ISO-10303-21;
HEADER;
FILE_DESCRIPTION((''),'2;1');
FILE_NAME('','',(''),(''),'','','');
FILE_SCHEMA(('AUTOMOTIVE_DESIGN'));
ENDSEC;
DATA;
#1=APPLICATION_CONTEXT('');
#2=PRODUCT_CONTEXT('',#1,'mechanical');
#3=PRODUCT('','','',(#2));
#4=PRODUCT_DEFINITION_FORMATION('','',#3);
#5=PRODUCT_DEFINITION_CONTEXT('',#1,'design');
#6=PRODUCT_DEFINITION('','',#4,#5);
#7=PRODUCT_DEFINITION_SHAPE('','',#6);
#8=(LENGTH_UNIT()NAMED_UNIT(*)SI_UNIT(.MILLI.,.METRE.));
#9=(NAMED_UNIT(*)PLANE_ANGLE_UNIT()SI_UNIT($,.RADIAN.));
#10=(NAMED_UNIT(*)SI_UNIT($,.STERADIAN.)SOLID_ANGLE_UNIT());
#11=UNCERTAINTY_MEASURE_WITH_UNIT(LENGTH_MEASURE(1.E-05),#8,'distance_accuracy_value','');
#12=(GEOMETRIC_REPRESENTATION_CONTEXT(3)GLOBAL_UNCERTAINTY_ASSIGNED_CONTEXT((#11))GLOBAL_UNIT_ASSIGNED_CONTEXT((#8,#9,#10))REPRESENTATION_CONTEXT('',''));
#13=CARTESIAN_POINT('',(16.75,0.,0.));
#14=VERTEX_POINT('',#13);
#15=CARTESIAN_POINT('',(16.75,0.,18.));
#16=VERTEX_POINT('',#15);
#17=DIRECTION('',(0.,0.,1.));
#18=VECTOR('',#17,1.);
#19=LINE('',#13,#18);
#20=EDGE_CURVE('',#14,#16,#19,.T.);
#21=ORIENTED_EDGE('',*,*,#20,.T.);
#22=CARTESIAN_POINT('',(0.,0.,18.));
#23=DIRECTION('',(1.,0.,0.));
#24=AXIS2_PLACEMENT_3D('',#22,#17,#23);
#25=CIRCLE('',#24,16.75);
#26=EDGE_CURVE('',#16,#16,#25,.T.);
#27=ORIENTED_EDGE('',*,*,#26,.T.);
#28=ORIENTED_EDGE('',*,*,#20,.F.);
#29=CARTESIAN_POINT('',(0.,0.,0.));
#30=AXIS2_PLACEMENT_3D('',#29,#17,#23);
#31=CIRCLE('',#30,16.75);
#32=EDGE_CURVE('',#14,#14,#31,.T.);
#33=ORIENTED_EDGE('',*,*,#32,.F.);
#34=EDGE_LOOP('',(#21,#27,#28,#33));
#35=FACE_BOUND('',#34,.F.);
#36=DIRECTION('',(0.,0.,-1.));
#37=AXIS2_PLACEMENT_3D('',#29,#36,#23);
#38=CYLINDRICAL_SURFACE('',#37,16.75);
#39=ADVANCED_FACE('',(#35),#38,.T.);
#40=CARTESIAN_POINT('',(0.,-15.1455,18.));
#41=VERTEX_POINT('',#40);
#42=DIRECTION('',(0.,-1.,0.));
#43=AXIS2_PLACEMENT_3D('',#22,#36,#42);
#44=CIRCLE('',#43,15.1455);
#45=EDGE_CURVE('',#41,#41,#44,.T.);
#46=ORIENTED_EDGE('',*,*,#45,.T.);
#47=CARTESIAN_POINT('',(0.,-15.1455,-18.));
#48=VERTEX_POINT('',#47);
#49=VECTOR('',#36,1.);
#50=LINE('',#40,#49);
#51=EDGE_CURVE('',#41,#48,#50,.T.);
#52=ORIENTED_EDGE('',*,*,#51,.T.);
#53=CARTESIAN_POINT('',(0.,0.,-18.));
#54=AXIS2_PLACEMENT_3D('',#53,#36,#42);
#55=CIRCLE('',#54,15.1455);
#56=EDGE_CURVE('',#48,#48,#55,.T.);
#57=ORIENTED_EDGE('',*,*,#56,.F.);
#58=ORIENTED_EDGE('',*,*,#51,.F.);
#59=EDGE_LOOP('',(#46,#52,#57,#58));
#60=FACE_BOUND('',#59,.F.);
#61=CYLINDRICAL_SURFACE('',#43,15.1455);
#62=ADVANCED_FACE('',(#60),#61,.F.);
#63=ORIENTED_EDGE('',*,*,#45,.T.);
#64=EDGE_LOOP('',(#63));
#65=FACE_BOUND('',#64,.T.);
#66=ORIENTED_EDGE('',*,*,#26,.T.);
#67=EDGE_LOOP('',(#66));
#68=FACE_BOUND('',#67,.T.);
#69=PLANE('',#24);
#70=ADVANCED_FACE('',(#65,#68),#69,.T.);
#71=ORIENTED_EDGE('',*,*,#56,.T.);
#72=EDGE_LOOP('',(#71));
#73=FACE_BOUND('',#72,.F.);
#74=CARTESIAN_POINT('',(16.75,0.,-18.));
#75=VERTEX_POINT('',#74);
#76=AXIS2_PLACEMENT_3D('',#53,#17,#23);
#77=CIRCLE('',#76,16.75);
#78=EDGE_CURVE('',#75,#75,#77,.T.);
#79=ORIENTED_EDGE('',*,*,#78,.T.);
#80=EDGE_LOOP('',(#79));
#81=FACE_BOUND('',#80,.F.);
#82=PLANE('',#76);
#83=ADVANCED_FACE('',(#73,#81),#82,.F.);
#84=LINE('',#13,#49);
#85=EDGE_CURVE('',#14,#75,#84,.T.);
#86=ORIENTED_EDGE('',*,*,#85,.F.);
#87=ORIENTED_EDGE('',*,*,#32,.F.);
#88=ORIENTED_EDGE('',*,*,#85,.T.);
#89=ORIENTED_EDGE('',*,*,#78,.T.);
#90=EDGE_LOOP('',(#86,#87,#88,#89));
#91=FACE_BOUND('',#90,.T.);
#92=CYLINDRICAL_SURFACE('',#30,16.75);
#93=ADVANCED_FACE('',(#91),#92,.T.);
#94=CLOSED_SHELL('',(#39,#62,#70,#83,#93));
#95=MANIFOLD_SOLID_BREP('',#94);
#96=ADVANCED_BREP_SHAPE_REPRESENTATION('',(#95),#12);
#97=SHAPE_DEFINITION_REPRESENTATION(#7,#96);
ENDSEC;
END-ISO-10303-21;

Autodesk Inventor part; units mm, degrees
ref_plane "YZ Plane" through (0, 0, 0) normal (1, 0, 0) x (0, 1, 0)
ref_plane "XZ Plane" through (0, 0, 0) normal (0, 1, 0) x (-1, 0, 0)
ref_plane "XY Plane" through (0, 0, 0) normal (0, 0, 1) x (1, 0, 0)
sketch "Sketch1" plane through (0, 0, 0) normal (0, 0, 1) x (1, 0, 0)
  circle A0 centre (0, 0) radius 16.75
  dimension "d0" = 33.5
extrude "Extrusion1" add sketch "Sketch1" along normal mid plane 36
sketch "Sketch2" plane through (0, 0, 18) normal (0, 0, 1) x (1, 0, 0)
  point P0 (0, 0)
  point P1 (0, 0)
hole "Hole1" at (0, 0, 18) direction (0, 0, -1) diameter 30.291 end through all thread size "G33.249x2.309" designation "G 1" standard "ISO Pipe Threads"
properties part number "Fitting G1_D1200"
